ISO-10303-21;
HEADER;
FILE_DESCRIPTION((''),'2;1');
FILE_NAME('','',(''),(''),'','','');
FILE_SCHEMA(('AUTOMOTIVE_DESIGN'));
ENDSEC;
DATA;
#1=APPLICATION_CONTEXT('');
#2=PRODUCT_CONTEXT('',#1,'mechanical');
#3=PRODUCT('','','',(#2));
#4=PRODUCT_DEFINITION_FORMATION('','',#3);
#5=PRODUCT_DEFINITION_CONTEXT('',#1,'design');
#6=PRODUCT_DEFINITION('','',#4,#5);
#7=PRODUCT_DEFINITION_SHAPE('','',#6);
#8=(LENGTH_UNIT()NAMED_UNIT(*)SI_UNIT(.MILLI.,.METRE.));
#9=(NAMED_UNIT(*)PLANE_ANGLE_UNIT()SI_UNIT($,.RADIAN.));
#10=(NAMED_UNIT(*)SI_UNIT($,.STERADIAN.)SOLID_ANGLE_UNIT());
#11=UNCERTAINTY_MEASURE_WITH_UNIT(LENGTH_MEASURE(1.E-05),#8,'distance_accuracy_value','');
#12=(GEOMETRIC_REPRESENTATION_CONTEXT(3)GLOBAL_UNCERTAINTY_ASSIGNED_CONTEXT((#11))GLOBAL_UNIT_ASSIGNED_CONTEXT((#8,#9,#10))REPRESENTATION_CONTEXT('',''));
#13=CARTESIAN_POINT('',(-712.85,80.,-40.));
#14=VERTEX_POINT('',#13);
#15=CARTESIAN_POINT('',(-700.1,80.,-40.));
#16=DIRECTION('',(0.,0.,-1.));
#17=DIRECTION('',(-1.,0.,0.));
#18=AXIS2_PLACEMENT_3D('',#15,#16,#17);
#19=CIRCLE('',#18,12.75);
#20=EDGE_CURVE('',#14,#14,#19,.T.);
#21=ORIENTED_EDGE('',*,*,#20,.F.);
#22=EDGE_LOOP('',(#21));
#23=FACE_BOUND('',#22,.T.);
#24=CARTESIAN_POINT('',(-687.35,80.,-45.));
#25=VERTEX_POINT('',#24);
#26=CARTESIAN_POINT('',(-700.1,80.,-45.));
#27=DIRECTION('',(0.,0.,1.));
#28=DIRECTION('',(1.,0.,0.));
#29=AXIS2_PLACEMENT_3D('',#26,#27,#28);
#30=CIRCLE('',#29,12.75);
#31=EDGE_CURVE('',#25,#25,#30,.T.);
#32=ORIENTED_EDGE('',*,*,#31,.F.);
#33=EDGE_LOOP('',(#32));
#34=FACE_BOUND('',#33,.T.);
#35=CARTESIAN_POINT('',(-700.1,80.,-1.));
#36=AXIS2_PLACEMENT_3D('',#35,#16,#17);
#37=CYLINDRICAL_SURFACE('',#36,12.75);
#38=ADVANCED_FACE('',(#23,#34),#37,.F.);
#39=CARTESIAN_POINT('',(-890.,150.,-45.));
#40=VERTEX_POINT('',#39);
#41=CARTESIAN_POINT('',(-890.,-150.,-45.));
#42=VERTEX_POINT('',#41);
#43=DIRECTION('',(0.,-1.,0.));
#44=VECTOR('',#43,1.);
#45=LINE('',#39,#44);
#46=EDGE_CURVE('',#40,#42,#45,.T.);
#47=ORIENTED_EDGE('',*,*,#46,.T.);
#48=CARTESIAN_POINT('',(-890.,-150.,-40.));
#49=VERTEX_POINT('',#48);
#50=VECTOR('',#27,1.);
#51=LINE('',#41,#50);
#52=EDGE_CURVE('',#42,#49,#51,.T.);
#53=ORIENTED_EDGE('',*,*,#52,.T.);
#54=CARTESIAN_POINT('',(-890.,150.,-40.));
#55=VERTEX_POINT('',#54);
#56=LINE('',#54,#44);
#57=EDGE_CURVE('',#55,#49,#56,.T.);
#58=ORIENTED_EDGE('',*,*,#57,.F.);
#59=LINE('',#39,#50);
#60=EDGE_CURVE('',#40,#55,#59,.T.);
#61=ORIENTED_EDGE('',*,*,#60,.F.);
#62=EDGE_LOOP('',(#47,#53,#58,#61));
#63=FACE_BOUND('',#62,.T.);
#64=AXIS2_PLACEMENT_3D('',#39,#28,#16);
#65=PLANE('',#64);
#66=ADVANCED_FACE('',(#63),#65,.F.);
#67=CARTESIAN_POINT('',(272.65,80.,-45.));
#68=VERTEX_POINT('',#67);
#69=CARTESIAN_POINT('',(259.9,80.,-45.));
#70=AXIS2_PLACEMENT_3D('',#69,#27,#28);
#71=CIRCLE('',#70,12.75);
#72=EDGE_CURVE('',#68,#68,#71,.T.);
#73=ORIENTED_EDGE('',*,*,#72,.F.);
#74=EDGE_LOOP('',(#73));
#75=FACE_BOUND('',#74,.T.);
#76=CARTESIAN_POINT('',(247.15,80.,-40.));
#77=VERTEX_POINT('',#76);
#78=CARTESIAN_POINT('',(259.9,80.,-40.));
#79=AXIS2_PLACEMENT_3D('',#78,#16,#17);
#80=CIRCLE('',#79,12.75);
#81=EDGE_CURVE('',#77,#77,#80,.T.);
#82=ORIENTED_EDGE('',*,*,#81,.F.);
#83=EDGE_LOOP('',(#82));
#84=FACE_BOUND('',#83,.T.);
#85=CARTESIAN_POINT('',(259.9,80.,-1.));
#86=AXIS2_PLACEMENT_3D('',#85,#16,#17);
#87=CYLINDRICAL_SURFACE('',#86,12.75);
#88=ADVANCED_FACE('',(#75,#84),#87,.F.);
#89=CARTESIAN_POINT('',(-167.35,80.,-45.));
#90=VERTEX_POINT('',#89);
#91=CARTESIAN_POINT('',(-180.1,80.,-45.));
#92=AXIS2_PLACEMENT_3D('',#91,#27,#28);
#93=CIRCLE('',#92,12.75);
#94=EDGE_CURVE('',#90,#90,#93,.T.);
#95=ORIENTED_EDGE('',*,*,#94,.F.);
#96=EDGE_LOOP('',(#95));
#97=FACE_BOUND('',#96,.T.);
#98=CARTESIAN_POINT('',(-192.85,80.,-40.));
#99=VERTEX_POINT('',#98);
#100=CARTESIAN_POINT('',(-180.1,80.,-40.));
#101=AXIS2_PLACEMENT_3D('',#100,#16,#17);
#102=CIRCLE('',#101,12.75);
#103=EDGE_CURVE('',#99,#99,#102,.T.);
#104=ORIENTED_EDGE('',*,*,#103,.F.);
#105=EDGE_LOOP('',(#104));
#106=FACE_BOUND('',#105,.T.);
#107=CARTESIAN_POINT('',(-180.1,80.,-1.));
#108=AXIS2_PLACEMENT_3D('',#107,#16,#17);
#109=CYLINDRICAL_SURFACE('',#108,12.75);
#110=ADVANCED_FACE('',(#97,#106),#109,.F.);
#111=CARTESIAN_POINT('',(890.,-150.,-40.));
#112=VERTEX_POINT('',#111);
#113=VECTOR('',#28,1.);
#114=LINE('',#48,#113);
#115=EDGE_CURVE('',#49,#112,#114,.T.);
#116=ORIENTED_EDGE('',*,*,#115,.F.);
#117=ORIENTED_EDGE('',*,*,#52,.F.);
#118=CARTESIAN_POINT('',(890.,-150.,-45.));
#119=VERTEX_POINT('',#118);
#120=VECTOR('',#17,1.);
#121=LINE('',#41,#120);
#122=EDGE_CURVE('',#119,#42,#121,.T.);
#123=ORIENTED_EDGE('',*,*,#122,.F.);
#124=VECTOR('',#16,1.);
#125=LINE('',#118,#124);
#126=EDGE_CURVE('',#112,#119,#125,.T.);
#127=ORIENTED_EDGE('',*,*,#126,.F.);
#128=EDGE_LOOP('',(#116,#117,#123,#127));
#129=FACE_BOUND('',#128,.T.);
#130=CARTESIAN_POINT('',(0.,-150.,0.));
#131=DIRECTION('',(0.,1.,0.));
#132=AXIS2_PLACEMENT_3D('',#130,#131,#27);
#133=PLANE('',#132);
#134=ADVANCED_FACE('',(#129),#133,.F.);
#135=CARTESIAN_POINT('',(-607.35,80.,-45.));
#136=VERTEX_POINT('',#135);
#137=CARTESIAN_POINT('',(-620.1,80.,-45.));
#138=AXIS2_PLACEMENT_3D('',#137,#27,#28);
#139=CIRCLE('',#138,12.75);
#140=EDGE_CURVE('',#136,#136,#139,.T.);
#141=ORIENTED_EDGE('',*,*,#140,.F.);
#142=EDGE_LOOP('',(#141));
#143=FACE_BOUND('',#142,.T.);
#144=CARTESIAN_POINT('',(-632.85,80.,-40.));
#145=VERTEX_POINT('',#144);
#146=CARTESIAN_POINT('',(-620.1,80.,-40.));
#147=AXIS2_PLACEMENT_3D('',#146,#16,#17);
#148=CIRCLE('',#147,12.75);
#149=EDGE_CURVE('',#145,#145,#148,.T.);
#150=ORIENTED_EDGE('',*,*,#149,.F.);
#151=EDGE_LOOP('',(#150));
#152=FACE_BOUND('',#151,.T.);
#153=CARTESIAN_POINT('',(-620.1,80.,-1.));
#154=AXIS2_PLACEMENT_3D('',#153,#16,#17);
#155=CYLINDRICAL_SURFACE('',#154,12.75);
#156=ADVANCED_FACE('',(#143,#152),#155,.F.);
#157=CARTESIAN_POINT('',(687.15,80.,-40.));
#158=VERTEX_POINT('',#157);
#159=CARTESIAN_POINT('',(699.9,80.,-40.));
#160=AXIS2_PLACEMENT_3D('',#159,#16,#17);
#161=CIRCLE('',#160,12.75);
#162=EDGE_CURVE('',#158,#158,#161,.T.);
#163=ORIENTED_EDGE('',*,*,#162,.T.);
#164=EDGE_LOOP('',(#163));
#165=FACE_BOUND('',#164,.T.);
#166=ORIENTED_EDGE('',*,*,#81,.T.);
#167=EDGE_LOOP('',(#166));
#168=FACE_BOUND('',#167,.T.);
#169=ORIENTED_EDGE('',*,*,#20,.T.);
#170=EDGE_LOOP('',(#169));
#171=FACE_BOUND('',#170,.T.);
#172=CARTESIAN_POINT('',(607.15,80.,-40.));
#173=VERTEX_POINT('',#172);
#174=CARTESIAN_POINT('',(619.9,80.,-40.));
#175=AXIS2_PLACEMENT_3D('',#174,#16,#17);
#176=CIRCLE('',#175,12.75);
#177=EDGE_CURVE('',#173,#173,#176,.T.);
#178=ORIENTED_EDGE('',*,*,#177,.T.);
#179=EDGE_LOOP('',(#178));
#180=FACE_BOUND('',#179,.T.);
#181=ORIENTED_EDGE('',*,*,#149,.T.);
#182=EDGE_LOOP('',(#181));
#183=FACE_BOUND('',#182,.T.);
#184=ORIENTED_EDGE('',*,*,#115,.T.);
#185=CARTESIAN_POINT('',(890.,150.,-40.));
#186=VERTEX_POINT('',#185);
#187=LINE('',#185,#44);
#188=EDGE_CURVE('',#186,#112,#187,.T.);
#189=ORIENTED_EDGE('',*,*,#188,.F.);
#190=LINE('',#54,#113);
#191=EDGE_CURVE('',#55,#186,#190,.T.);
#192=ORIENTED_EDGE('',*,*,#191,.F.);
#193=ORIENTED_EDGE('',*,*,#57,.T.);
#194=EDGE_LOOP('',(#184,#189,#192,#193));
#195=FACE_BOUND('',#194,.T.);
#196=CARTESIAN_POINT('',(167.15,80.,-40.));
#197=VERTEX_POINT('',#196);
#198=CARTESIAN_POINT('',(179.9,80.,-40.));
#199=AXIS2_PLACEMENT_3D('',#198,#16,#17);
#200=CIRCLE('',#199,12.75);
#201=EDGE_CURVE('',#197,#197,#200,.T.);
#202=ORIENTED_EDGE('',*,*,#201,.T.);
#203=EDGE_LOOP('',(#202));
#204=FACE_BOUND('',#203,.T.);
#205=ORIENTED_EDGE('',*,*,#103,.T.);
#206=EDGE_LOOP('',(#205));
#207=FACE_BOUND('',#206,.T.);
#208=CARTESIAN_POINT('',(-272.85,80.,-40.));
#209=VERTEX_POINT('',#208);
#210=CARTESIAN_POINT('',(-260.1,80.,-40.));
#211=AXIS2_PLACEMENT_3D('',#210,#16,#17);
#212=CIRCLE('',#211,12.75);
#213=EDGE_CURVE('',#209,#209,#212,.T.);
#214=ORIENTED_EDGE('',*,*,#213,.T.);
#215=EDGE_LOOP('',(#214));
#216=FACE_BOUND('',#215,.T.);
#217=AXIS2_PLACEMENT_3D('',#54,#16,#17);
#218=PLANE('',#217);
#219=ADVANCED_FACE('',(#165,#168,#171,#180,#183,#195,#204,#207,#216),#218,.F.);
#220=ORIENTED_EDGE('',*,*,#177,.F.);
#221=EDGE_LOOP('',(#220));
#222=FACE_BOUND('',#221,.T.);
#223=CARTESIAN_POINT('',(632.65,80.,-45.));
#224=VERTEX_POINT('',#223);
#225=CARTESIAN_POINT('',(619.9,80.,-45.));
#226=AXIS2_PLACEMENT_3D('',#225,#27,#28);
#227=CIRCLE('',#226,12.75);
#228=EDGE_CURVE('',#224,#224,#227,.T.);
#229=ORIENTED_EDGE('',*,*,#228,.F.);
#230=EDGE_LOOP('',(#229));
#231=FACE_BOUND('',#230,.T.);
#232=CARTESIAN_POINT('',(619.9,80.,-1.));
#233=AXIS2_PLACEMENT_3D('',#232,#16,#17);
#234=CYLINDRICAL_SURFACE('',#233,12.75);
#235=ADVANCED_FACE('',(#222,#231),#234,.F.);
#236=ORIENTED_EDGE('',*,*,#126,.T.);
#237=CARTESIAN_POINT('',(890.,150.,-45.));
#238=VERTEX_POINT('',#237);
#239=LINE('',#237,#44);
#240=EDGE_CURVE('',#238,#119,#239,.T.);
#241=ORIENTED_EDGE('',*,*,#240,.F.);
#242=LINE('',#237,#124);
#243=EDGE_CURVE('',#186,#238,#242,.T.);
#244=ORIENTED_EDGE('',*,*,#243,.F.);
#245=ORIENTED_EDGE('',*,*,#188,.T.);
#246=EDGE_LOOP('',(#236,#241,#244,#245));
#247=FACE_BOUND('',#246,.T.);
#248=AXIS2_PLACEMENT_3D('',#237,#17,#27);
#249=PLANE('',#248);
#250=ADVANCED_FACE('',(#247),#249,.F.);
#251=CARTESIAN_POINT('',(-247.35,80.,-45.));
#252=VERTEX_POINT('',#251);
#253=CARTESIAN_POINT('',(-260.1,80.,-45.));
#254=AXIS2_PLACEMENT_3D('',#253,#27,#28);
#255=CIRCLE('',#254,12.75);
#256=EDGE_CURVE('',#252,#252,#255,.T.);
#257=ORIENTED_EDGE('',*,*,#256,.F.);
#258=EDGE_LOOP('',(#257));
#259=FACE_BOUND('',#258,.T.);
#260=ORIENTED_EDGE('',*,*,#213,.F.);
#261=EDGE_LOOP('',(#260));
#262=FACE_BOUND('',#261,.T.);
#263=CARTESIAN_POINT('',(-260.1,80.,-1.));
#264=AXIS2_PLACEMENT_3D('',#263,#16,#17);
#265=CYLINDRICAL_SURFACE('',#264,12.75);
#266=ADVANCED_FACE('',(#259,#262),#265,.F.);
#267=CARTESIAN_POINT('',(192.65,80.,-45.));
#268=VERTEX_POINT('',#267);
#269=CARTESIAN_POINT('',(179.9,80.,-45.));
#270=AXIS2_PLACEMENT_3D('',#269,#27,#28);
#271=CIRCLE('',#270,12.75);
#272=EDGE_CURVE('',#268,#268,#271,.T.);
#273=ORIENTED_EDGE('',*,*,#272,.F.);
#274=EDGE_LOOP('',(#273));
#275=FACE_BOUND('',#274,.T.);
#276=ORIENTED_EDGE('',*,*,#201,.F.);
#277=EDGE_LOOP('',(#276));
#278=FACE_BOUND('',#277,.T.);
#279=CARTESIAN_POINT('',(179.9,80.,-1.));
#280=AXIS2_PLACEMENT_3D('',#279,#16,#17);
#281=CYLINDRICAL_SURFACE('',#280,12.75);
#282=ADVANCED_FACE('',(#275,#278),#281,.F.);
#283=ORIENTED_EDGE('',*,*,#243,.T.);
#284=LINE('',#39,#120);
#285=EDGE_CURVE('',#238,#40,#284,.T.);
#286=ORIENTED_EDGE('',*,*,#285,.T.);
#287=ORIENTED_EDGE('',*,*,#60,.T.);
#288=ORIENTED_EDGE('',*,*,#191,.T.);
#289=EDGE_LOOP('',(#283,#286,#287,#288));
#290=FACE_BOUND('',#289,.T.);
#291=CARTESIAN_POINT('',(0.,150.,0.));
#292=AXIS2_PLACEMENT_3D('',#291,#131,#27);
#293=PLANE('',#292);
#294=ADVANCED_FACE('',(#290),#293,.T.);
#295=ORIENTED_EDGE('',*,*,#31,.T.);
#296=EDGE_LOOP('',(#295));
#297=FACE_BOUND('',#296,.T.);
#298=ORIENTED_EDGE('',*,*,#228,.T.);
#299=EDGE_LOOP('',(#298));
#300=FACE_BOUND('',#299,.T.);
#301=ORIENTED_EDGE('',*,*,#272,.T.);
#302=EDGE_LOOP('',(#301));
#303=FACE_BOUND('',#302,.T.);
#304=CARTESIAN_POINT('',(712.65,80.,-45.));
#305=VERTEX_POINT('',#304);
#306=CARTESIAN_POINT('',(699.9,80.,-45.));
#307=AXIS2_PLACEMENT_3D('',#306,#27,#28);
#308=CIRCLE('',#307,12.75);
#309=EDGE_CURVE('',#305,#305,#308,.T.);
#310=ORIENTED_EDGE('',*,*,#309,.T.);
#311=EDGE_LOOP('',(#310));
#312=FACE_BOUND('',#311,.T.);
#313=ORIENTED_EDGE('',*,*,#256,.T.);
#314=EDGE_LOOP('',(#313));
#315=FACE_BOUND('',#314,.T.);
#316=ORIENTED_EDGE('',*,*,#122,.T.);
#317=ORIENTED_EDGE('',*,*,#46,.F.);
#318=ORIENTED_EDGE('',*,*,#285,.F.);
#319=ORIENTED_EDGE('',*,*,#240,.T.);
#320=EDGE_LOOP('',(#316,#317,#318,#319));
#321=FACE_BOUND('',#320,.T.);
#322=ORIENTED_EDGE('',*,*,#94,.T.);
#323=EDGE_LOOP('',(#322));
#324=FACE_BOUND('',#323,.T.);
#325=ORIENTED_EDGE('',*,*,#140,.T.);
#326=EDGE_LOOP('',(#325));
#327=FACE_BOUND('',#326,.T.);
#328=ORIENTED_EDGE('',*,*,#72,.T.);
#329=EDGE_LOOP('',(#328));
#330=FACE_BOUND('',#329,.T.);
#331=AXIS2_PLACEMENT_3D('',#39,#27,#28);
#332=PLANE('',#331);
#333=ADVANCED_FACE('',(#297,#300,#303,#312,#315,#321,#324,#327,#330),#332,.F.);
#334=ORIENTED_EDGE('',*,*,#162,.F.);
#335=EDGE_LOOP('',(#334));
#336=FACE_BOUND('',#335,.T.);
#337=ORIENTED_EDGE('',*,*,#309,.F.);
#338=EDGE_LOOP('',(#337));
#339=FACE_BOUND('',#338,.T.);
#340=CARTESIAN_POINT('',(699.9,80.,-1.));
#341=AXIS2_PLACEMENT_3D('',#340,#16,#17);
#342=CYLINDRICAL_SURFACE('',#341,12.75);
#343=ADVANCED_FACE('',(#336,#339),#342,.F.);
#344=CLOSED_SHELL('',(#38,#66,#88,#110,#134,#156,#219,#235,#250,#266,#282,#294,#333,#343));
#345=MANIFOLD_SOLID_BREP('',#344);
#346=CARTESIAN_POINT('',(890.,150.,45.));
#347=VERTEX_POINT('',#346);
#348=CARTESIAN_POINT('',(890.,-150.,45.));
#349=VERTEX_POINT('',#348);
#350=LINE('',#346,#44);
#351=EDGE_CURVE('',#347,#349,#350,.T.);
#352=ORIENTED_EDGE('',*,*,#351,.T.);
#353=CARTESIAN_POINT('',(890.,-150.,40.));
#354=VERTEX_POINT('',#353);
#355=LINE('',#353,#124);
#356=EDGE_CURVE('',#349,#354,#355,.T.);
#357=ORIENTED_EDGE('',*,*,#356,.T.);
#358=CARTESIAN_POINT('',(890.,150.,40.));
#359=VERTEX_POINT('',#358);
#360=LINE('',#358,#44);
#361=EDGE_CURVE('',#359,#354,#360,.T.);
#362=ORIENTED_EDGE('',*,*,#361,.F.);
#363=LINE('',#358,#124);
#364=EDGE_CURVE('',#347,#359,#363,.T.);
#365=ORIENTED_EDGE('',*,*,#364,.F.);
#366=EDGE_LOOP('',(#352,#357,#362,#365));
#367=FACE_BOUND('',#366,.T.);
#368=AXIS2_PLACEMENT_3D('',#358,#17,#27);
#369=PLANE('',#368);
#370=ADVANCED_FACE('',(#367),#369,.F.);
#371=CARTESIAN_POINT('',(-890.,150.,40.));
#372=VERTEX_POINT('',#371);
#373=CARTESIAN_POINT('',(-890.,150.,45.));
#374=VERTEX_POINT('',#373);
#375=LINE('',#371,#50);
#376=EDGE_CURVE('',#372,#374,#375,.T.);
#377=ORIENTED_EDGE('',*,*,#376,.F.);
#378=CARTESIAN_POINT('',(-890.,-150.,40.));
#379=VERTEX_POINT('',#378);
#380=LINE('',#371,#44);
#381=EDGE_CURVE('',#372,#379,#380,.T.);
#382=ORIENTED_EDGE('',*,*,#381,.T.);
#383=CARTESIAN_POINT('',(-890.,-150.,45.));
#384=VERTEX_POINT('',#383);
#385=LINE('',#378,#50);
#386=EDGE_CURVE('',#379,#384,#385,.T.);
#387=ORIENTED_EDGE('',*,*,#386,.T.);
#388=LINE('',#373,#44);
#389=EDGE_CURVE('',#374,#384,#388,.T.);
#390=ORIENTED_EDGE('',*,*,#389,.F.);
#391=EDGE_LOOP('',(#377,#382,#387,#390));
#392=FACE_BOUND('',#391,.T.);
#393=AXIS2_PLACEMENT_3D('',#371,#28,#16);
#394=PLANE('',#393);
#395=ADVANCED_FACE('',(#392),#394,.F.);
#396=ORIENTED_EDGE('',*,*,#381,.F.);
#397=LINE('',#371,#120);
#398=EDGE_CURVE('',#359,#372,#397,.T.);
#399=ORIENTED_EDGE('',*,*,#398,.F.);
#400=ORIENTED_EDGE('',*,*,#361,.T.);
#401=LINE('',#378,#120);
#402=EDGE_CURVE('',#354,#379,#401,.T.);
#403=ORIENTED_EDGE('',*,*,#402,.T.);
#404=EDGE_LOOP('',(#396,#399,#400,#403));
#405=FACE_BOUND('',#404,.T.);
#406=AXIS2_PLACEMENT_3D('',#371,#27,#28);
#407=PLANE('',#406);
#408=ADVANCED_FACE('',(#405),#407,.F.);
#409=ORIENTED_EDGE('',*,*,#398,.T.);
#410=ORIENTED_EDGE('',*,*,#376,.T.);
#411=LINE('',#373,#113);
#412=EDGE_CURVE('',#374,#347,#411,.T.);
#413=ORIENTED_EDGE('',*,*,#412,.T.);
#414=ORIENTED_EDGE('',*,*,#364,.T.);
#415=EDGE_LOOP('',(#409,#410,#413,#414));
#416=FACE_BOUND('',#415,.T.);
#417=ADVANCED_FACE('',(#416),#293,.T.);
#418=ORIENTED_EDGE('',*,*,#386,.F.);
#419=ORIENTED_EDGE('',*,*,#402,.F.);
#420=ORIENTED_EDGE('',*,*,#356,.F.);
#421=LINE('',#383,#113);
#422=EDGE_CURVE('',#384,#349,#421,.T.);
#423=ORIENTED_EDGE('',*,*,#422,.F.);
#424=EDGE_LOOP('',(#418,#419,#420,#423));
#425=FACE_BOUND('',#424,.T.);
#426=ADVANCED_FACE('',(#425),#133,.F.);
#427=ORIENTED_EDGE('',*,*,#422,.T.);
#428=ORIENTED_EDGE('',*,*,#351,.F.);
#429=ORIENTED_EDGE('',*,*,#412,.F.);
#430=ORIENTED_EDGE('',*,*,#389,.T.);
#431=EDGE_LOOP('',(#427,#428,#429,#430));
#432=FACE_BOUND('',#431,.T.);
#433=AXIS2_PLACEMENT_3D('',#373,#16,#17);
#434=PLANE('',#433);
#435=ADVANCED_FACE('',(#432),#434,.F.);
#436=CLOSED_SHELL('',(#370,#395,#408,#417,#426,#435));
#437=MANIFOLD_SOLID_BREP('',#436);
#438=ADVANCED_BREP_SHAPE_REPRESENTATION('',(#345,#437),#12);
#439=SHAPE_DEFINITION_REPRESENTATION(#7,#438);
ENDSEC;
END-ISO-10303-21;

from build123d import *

# Parameters (mm, degrees)
SKETCH1_W               = 1780
SKETCH1_H               = 5
BOSS_EXTRUDE1_DEPTH     = 150
BOSS_EXTRUDE1_2_DEPTH   = 150
CUT_EXTRUDE1_DEPTH      = 39
CUT_EXTRUDE1_DEPTH_BACK = 33
CUT_EXTRUDE1_START      = -85
SKETCH2_R               = 12.75


with BuildPart() as part:
    # Sketch1 → Boss-Extrude1 (new, symmetric)
    with BuildSketch(Plane(origin=(0, 0, 0), x_dir=(1, 0, 0), z_dir=(0, 1, 0))):
        with Locations((0, 42.5)):
            Rectangle(SKETCH1_W, SKETCH1_H)
    extrude(amount=BOSS_EXTRUDE1_DEPTH, both=True)

    # Sketch2 → Cut-Extrude1 (cut, two sides: drawn at the far end of the back side and taken through both)
    with BuildSketch(Plane.XY.offset(45).offset(CUT_EXTRUDE1_START - CUT_EXTRUDE1_DEPTH_BACK)):
        with Locations(Location((-700.1, 80, 0), (0, 0, 180))):
            Circle(SKETCH2_R)
        with Locations(Location((-620.1, 80, 0), (0, 0, 180))):
            Circle(SKETCH2_R)
        with Locations(Location((-260.1, 80, 0), (0, 0, 180))):
            Circle(SKETCH2_R)
        with Locations(Location((-180.1, 80, 0), (0, 0, 180))):
            Circle(SKETCH2_R)
        with Locations(Location((179.9, 80, 0), (0, 0, 180))):
            Circle(SKETCH2_R)
        with Locations(Location((259.9, 80, 0), (0, 0, 180))):
            Circle(SKETCH2_R)
        with Locations(Location((619.9, 80, 0), (0, 0, 180))):
            Circle(SKETCH2_R)
        with Locations(Location((699.9, 80, 0), (0, 0, 180))):
            Circle(SKETCH2_R)
    extrude(amount=CUT_EXTRUDE1_DEPTH + CUT_EXTRUDE1_DEPTH_BACK, mode=Mode.SUBTRACT)


with BuildPart() as body_2:
    # Sketch1 → Boss-Extrude1 2 (new, symmetric)
    with BuildSketch(Plane(origin=(0, 0, 0), x_dir=(1, 0, 0), z_dir=(0, 1, 0))):
        with Locations((0, -42.5)):
            Rectangle(SKETCH1_W, SKETCH1_H)
    extrude(amount=BOSS_EXTRUDE1_2_DEPTH, both=True)


solid = Compound([part.part, body_2.part])
